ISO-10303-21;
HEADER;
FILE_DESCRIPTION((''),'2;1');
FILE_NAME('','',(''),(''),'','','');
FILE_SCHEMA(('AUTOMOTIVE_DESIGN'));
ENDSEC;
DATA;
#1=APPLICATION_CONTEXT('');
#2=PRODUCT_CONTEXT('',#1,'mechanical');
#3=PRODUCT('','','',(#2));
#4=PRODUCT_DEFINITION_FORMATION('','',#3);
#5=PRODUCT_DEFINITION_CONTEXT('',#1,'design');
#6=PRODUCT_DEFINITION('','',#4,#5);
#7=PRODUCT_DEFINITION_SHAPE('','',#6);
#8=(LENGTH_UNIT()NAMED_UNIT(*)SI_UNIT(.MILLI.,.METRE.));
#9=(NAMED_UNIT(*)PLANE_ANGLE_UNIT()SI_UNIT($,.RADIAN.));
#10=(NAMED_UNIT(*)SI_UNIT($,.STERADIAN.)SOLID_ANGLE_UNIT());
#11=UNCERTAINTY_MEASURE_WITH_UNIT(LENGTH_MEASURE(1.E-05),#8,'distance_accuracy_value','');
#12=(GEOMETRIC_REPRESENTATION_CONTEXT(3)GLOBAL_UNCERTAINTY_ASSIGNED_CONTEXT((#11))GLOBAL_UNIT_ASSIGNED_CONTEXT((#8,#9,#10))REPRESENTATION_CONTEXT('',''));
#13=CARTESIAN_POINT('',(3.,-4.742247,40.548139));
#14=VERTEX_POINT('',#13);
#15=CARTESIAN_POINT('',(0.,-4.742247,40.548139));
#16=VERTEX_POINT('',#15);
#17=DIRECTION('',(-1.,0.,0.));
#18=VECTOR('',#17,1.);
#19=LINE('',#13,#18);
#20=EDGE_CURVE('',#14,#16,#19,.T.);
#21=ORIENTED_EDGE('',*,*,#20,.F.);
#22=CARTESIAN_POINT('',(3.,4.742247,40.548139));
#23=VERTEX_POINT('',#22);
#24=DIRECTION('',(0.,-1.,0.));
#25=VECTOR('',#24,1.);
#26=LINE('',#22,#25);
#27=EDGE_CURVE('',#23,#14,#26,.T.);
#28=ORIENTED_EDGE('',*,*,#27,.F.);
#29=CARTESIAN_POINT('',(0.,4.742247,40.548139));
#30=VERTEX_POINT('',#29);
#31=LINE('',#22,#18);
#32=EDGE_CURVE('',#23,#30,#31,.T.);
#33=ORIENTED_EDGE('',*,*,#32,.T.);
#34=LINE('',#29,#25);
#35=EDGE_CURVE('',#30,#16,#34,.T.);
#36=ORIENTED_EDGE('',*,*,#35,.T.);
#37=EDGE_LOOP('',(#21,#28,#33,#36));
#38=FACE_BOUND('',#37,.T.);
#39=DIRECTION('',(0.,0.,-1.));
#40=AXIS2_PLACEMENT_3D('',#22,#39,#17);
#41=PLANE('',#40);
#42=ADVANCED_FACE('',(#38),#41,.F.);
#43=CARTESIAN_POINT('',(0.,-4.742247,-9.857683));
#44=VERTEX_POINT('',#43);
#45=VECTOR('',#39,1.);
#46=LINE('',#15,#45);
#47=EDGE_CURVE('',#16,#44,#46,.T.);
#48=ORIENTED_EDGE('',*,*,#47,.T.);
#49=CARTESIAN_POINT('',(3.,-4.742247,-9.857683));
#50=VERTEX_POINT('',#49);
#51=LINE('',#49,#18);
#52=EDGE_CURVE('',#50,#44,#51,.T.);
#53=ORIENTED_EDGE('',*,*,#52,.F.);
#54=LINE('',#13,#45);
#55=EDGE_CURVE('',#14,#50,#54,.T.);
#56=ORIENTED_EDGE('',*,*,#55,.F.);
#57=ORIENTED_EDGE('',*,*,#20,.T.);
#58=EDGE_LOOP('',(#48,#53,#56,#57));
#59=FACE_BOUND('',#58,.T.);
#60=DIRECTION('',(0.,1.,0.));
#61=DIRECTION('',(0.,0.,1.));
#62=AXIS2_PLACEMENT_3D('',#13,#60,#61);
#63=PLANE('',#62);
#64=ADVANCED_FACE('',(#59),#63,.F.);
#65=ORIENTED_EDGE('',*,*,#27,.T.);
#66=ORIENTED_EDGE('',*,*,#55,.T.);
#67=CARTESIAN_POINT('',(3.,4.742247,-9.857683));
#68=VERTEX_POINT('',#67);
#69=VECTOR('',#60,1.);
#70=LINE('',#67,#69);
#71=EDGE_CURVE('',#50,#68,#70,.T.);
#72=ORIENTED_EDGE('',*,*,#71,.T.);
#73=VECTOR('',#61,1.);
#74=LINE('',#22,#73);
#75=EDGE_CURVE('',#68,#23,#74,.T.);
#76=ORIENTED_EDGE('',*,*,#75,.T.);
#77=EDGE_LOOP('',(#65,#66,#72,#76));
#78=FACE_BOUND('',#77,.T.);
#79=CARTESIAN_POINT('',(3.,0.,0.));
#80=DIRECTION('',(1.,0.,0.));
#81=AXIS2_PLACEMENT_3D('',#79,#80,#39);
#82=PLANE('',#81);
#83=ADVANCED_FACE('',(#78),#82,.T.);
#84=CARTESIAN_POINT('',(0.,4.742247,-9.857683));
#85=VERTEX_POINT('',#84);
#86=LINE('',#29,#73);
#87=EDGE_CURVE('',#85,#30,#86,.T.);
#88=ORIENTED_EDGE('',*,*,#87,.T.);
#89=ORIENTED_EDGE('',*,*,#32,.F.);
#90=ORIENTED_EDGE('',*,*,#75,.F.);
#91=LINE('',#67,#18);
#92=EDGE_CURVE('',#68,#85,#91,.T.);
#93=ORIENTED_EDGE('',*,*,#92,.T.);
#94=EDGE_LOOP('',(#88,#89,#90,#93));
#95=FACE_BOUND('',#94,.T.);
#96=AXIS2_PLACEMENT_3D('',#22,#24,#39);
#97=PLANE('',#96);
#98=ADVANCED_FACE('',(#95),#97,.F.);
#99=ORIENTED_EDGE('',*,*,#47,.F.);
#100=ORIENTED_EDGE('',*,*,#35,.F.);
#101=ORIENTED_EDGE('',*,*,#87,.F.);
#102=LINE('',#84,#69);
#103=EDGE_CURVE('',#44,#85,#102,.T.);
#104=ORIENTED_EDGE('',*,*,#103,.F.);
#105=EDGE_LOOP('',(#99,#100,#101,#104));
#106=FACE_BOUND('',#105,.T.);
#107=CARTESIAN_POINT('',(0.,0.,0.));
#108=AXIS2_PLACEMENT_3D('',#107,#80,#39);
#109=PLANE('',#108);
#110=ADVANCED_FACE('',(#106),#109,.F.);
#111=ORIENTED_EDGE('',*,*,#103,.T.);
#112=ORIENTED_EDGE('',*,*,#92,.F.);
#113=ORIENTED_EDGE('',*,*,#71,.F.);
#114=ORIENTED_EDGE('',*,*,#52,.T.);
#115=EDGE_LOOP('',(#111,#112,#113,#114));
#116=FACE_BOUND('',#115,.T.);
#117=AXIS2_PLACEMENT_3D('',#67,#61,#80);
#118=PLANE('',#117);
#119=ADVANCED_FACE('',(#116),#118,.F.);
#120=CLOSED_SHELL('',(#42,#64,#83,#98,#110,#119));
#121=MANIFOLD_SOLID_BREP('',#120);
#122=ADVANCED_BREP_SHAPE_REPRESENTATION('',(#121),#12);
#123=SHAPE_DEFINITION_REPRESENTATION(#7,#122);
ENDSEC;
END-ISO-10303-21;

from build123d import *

# Parameters (mm, degrees)
SKETCH1_W           = 50.405822176
SKETCH1_H           = 9.484494468
BOSS_EXTRUDE1_DEPTH = 3


with BuildPart() as part:
    # Sketch1 → Boss-Extrude1 (new body)
    with BuildSketch(Plane(origin=(0, 0, 0), x_dir=(0, 0, -1), z_dir=(1, 0, 0))):
        with Locations((-15.345228226, 0)):
            Rectangle(SKETCH1_W, SKETCH1_H)
    extrude(amount=BOSS_EXTRUDE1_DEPTH)


solid = part.part
